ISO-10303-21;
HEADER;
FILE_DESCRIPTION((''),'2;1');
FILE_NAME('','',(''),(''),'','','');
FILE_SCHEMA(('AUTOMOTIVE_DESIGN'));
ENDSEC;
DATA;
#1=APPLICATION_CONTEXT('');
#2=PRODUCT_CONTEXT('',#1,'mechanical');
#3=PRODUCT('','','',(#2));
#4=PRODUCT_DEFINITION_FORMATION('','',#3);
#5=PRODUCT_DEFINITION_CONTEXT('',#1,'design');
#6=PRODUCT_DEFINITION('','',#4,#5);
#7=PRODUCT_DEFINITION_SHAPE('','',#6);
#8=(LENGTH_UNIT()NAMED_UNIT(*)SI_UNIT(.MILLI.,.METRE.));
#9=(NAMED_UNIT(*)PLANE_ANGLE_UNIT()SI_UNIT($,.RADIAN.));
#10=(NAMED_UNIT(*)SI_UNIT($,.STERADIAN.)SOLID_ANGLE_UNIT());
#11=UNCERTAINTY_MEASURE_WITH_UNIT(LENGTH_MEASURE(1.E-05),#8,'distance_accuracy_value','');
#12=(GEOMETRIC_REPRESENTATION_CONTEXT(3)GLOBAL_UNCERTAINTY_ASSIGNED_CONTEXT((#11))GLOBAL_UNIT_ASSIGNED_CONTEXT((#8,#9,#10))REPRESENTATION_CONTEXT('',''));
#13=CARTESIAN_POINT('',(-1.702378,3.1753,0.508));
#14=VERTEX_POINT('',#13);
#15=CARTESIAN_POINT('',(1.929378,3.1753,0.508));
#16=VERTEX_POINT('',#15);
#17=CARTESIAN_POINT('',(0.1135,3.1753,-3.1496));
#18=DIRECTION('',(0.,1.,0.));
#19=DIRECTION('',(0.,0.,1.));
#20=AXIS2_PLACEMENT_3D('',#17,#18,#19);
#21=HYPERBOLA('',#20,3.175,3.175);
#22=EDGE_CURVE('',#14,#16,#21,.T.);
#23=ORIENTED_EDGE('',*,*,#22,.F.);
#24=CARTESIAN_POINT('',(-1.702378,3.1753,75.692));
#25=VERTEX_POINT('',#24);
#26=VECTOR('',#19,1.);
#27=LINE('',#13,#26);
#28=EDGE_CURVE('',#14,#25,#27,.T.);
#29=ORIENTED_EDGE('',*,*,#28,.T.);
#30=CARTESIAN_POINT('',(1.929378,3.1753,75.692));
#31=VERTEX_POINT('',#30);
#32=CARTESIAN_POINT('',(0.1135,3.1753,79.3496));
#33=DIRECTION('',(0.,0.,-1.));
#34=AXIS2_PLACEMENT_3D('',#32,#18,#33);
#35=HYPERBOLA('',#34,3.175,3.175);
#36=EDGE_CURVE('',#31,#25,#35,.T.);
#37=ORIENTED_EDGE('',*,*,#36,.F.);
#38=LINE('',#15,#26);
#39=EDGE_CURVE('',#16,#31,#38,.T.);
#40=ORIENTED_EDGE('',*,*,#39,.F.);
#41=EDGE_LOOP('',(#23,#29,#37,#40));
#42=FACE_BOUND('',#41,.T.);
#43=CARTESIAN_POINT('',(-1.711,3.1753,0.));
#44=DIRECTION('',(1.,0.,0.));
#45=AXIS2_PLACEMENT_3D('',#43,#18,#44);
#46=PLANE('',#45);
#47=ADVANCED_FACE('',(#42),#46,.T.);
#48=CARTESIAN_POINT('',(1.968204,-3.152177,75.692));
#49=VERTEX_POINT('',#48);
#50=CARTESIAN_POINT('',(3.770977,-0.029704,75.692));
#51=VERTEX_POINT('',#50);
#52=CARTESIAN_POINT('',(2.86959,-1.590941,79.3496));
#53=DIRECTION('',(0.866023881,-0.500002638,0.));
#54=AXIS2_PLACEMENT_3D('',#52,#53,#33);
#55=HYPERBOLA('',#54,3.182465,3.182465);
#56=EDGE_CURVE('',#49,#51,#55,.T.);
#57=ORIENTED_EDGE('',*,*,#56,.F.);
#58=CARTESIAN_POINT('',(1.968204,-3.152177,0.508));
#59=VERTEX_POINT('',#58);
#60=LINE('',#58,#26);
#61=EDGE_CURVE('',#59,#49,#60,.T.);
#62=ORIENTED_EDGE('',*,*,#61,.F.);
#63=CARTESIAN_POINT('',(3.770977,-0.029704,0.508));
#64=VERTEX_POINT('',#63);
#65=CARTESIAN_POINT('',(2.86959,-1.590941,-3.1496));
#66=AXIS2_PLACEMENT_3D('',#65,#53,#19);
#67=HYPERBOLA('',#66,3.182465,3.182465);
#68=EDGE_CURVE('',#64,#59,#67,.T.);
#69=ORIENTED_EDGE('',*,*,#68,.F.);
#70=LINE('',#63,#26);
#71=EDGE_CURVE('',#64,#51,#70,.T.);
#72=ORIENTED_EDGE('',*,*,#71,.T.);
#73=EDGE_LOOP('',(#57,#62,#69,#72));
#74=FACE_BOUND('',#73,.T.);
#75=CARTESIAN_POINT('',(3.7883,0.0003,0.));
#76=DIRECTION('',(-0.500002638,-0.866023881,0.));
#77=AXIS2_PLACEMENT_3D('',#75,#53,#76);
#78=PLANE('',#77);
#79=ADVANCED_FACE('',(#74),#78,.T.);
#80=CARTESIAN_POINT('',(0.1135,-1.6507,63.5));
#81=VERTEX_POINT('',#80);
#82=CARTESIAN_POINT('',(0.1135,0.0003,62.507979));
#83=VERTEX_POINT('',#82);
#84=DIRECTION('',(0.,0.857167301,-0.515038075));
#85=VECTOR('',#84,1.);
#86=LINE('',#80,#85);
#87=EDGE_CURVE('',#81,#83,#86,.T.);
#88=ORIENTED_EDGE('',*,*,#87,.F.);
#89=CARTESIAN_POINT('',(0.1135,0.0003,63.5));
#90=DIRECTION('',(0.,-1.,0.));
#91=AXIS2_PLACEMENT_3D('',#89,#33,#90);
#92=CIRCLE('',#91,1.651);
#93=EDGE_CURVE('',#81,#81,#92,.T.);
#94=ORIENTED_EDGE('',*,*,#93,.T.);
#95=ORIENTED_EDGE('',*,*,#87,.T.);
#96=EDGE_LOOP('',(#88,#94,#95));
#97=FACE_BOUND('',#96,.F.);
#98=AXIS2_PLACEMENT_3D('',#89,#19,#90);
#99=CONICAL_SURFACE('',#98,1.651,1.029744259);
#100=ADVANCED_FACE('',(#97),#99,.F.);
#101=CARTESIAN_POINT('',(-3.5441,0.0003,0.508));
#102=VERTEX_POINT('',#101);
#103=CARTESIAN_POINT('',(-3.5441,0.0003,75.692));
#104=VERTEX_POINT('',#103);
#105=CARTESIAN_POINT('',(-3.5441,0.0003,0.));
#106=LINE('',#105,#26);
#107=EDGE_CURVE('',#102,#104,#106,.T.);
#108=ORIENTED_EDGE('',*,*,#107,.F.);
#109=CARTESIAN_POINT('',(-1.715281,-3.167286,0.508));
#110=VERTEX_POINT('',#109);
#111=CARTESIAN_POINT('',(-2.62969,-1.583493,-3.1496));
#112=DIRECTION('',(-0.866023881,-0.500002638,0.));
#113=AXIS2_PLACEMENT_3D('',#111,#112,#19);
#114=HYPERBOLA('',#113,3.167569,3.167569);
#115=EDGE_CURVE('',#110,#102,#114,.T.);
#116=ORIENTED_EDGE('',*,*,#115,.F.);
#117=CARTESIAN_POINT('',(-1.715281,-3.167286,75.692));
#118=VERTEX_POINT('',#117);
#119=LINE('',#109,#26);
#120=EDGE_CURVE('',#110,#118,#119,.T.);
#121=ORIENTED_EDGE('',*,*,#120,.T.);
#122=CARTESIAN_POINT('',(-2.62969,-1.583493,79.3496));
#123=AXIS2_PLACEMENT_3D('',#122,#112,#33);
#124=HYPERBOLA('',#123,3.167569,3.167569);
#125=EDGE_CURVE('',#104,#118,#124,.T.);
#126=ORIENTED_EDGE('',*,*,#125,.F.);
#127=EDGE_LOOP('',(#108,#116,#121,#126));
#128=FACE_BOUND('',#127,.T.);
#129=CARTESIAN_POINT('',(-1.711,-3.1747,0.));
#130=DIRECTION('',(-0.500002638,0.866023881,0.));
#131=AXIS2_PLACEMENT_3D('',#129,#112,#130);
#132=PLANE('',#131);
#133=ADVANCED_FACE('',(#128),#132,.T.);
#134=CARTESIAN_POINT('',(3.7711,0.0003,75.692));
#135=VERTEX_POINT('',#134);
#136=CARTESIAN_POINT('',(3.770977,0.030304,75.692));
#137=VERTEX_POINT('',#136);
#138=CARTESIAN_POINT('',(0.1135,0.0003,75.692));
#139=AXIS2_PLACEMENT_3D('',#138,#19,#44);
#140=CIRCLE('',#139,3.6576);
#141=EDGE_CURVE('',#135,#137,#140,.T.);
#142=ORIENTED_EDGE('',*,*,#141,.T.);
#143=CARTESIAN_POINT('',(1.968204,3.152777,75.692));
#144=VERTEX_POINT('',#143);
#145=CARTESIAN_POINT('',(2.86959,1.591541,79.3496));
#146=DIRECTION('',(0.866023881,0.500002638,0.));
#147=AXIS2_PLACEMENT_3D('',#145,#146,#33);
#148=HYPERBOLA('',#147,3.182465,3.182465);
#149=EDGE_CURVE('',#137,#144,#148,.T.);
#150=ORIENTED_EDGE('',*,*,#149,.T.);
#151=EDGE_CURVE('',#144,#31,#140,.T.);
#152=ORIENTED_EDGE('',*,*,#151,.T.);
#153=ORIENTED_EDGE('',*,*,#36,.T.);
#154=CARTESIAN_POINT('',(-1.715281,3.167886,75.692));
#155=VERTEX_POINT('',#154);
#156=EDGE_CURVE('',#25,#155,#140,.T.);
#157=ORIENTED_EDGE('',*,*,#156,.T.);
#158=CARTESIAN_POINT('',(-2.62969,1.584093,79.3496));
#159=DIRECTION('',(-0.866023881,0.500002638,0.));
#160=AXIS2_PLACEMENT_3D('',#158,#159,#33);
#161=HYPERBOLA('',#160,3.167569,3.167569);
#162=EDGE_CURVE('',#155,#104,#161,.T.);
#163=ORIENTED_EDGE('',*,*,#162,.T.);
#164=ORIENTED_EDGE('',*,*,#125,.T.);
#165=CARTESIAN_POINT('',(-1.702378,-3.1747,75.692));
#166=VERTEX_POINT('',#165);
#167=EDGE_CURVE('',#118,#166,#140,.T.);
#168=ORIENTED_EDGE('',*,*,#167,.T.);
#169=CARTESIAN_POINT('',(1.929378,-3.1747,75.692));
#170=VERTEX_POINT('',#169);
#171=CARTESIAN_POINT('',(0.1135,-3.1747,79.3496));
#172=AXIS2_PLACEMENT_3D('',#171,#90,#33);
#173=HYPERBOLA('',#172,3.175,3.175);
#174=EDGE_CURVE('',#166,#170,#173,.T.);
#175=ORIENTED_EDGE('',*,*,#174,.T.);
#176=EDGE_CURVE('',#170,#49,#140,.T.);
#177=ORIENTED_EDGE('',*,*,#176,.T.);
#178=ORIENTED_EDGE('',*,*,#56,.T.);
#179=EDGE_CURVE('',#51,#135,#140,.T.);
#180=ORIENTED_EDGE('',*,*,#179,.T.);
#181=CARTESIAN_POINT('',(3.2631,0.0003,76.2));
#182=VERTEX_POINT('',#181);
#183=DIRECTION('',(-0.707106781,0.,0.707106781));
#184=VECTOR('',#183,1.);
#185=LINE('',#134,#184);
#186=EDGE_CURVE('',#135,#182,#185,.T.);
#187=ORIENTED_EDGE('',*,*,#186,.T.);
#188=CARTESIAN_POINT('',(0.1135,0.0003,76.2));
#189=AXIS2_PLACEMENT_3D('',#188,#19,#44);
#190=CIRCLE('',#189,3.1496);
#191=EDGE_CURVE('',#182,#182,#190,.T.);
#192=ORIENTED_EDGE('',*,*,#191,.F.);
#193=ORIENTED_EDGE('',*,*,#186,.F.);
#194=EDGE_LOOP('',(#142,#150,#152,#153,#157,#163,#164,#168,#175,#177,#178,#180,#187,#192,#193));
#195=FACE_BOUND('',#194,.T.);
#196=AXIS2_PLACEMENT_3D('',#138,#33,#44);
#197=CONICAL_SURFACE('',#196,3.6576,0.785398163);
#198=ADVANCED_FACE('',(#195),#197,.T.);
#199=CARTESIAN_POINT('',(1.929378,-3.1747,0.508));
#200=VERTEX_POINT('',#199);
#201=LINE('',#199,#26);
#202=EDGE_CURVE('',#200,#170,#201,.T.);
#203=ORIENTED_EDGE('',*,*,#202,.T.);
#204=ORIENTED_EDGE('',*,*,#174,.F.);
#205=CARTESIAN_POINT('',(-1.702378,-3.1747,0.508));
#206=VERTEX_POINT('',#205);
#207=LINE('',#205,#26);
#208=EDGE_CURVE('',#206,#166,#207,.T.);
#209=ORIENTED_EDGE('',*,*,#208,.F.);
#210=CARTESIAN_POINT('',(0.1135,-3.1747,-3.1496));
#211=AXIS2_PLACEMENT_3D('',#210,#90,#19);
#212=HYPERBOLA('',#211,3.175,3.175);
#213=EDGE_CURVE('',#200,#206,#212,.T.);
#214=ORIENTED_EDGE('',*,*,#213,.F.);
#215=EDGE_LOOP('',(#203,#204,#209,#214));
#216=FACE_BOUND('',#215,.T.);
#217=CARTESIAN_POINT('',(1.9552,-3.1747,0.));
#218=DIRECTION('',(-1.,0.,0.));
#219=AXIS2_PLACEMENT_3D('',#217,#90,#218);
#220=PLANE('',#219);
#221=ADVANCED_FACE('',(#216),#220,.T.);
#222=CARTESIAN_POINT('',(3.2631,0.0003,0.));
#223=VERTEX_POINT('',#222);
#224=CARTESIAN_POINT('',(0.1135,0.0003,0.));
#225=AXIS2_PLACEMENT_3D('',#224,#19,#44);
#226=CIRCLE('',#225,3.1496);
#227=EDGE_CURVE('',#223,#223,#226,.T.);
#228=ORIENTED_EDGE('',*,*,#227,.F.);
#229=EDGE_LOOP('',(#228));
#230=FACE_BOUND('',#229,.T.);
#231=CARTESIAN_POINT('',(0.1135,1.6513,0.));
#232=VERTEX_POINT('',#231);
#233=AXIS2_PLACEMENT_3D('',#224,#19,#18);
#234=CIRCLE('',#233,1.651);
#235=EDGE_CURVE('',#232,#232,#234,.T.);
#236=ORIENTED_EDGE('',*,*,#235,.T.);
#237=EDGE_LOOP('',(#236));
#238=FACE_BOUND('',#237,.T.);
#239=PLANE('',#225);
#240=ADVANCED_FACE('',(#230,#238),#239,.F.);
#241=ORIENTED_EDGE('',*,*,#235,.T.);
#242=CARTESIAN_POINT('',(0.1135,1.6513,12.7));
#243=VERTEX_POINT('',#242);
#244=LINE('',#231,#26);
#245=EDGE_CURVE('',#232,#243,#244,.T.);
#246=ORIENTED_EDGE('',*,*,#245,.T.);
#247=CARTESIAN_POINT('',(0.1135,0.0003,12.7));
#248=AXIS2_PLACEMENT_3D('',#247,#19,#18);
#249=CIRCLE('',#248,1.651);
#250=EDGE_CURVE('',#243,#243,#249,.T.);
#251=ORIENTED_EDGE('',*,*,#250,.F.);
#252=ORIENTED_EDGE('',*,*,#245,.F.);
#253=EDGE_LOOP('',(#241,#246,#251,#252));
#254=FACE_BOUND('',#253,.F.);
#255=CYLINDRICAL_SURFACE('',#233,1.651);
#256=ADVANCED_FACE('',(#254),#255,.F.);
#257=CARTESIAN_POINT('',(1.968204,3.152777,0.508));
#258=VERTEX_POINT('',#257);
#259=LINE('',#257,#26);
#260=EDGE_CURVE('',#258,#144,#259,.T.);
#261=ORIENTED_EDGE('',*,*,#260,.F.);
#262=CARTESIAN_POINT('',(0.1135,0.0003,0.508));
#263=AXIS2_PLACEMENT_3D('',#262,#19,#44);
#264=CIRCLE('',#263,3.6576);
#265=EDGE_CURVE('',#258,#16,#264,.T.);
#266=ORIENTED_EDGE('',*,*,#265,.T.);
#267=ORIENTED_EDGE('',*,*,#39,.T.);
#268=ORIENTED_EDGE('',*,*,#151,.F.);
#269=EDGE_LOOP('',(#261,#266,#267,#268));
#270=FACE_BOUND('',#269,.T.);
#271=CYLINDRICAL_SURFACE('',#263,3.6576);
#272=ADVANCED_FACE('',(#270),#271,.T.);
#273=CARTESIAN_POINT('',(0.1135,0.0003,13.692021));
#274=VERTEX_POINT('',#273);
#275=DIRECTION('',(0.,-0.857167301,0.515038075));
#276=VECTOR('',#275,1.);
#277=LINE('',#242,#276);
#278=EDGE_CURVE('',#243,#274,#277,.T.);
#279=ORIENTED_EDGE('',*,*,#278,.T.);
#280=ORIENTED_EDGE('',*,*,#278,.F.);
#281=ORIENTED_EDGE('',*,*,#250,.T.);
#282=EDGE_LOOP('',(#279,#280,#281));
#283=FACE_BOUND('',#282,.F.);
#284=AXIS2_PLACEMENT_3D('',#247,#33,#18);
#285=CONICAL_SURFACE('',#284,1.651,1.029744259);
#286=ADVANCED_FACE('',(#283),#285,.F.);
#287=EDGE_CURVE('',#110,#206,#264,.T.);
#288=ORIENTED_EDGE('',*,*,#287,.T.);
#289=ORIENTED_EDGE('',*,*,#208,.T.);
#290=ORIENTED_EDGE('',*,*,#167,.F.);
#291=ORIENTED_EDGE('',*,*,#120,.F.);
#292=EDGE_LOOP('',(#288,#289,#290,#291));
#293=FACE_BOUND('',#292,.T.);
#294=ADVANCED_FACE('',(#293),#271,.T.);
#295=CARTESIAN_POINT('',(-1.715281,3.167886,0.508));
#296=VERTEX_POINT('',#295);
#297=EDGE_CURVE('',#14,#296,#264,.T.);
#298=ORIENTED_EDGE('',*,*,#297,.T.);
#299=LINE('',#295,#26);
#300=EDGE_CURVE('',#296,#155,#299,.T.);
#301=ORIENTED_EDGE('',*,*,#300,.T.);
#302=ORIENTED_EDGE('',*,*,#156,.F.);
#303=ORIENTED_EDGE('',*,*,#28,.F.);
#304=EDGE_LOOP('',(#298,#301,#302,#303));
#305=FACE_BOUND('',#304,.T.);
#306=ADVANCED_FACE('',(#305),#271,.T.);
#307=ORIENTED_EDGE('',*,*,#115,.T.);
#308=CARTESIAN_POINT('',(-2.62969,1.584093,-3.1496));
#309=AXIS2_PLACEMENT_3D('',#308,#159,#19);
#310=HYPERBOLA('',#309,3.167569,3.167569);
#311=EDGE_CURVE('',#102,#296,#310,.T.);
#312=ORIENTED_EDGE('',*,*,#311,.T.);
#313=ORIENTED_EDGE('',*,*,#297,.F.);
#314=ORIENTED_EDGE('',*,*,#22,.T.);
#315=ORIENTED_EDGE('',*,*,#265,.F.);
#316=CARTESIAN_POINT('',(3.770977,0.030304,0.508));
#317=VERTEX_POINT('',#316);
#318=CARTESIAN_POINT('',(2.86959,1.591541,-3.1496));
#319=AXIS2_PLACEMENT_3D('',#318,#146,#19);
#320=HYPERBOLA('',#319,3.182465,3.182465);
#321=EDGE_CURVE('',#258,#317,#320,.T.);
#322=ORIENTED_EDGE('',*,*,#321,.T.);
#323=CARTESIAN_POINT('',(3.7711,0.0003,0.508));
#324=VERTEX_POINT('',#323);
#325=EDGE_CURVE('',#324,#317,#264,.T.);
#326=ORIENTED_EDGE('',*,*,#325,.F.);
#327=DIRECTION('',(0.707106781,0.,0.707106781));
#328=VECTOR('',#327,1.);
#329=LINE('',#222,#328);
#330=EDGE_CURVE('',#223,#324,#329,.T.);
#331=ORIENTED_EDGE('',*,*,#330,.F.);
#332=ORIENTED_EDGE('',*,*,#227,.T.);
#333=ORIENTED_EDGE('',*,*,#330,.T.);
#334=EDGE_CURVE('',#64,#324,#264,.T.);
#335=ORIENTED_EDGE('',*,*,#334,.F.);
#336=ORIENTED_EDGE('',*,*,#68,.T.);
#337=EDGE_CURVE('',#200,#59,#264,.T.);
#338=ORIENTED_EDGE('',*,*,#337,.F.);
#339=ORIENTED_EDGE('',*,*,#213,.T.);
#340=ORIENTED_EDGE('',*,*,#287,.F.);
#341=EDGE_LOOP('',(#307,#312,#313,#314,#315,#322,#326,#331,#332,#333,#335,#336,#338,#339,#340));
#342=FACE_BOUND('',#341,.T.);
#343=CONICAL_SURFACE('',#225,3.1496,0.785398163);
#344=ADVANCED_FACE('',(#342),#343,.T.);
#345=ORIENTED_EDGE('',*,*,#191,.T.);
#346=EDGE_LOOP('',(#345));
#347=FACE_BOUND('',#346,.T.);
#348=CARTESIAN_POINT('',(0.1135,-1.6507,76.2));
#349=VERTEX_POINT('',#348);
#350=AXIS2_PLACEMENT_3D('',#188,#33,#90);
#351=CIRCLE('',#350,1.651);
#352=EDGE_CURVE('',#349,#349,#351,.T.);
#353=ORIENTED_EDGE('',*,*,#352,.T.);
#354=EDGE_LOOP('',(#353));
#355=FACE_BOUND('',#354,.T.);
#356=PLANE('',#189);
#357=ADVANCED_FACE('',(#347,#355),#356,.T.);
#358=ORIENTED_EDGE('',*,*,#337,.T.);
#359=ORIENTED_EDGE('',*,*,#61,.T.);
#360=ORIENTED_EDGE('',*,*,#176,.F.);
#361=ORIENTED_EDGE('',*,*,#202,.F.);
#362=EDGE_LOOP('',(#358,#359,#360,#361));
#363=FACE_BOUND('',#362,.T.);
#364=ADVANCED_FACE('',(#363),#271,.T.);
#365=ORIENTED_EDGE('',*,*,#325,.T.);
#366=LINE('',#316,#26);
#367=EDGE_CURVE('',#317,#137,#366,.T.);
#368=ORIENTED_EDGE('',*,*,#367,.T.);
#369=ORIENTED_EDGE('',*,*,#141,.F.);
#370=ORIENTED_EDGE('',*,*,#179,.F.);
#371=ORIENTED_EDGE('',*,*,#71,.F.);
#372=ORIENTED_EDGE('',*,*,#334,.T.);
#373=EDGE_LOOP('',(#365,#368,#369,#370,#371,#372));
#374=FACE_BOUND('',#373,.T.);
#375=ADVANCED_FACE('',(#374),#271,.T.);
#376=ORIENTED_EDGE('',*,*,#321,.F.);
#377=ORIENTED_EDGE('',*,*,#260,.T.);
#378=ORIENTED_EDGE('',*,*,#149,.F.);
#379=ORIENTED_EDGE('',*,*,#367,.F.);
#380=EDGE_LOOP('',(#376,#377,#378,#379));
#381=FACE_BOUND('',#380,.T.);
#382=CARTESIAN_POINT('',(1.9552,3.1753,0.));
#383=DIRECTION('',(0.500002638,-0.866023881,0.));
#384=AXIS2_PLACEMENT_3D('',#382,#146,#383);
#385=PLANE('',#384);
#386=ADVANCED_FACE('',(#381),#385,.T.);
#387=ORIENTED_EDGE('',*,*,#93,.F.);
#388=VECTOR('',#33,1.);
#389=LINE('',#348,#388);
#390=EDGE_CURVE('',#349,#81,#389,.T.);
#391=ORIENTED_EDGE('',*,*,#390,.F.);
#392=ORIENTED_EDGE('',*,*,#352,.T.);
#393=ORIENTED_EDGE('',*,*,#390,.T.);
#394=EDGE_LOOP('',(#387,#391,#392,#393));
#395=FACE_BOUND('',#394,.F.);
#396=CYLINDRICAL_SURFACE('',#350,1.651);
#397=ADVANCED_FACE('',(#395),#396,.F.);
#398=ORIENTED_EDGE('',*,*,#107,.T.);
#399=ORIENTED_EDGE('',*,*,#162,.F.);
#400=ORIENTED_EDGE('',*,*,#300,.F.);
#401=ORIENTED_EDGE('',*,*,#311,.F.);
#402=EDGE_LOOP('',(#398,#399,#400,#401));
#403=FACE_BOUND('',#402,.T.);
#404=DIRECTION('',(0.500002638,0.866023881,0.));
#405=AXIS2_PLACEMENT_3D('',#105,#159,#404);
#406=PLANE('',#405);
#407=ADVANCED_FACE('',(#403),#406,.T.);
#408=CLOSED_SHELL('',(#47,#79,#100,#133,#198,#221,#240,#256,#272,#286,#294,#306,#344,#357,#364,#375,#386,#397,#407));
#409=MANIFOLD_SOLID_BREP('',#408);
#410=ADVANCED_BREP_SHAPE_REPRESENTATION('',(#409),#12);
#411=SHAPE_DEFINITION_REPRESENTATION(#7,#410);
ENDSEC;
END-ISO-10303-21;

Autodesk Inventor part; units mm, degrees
ref_plane "YZ Plane" through (0, 0, 0) normal (1, 0, 0) x (0, 1, 0)
ref_plane "XZ Plane" through (0, 0, 0) normal (0, 1, 0) x (-1, 0, 0)
sketch "Sketch1" plane through (0, 0, 0) normal (0, 0, 1) x (1, 0, 0)
  line L0 (1.9552, -3.1747) -> (-1.711, -3.1747)
  line L1 (-1.711, -3.1747) -> (-3.5441, 0.0003)
  line L2 (-3.5441, 0.0003) -> (-1.711, 3.1753)
  line L3 (-1.711, 3.1753) -> (1.9552, 3.1753)
  line L4 (1.9552, 3.1753) -> (3.7883, 0.0003)
  line L5 (3.7883, 0.0003) -> (1.9552, -3.1747)
  point P0 (0.1221, 0.0003)
  dimension "d0" = 6.35
extrude "Extrusion1" add sketch "Sketch1" along normal blind 76.2
ref_plane "Work Plane1" through (-1.711, 0.0003, 0) normal (0, 1, 0) x (1, 0, 0)
sketch "Sketch3" plane through (-1.711, 0.0003, 0) normal (0, 1, 0) x (1, 0, 0)
  line L0 (-1.3251, 0) -> (4.9741, 0)
  line L1 (5.4821, -0.508) -> (5.4821, -75.692)
  line L2 (4.9741, -76.2) -> (-1.3251, -76.2)
  line L3 (-1.8331, -75.692) -> (-1.8331, -0.508)
  line L4 (-1.8331, -0.508) -> (-1.3251, 0)
  line L5 (4.9741, 0) -> (5.4821, -0.508)
  line L6 (-1.3251, -76.2) -> (-1.8331, -75.692)
  line L7 (5.4821, -75.692) -> (4.9741, -76.2)
  line L8 (-1.8331, 0) -> (-1.8331, -76.2) projected
  line L9 (3.6662, 0) -> (5.4993, 0) projected
  line L10 (1.8245, 0) -> (1.8245, -76.2)
  point P0 (-1.8331, 0)
  point P1 (5.4821, -76.2)
  point P2 (5.4821, 0)
  point P3 (-1.8331, -76.2)
  dimension "d5" = 0.508
  dimension "d6" = 0.508
  dimension "d7" = 0.508
  dimension "d8" = 0.508
  dimension "d9" = 0.508
  dimension "d10" = 0.508
  dimension "d11" = 0.508
  dimension "d12" = 0.508
  dimension "d13" = 7.3152
  dimension "d14" = 0
  dimension "d15" = 76.2
  dimension "d16" = 0
revolve "Revolution1" cut sketch "Sketch3" angle 360 about axis through (0.1135, 0.0003, 0) along (0, 0, 1) keep common part contours L0 L5 L1 L7 L2 L10
sketch "Sketch5" plane through (0.1135, 0.0003, 76.2) normal (0, 0, 1) x (1, 0, 0)
  circle A0 centre (0, 0) radius 3.1496 projected
hole "Hole2" at (0.1135, 0.0003, 76.2) at (0.1135, 0.0003, 76.2) direction (0, 0, -1) diameter 3.302 depth 12.7 tip angle 118 thread size "8-32 UNC" class "2B" standard "ANSI Unified Screw Threads"
sketch "Sketch6" plane through (0.1135, 0.0003, 0) normal (0, 0, -1) x (-1, 0, 0)
  circle A0 centre (0, 0) radius 3.1496 projected
hole "Hole3" at (0.1135, 0.0003, 0) direction (0, 0, 1) diameter 3.302 depth 12.7 tip angle 118 thread size "8-32 UNC" class "2B" standard "ANSI Unified Screw Threads"
equation "\"d6\" = d5"
equation "\"d7\" = d5"
equation "\"d8\" = d7"
equation "\"d9\" = d5"
equation "\"d10\" = d9"
equation "\"d11\" = d5"
equation "\"d12\" = d11"
properties part number "275-1020" material "Steel"
